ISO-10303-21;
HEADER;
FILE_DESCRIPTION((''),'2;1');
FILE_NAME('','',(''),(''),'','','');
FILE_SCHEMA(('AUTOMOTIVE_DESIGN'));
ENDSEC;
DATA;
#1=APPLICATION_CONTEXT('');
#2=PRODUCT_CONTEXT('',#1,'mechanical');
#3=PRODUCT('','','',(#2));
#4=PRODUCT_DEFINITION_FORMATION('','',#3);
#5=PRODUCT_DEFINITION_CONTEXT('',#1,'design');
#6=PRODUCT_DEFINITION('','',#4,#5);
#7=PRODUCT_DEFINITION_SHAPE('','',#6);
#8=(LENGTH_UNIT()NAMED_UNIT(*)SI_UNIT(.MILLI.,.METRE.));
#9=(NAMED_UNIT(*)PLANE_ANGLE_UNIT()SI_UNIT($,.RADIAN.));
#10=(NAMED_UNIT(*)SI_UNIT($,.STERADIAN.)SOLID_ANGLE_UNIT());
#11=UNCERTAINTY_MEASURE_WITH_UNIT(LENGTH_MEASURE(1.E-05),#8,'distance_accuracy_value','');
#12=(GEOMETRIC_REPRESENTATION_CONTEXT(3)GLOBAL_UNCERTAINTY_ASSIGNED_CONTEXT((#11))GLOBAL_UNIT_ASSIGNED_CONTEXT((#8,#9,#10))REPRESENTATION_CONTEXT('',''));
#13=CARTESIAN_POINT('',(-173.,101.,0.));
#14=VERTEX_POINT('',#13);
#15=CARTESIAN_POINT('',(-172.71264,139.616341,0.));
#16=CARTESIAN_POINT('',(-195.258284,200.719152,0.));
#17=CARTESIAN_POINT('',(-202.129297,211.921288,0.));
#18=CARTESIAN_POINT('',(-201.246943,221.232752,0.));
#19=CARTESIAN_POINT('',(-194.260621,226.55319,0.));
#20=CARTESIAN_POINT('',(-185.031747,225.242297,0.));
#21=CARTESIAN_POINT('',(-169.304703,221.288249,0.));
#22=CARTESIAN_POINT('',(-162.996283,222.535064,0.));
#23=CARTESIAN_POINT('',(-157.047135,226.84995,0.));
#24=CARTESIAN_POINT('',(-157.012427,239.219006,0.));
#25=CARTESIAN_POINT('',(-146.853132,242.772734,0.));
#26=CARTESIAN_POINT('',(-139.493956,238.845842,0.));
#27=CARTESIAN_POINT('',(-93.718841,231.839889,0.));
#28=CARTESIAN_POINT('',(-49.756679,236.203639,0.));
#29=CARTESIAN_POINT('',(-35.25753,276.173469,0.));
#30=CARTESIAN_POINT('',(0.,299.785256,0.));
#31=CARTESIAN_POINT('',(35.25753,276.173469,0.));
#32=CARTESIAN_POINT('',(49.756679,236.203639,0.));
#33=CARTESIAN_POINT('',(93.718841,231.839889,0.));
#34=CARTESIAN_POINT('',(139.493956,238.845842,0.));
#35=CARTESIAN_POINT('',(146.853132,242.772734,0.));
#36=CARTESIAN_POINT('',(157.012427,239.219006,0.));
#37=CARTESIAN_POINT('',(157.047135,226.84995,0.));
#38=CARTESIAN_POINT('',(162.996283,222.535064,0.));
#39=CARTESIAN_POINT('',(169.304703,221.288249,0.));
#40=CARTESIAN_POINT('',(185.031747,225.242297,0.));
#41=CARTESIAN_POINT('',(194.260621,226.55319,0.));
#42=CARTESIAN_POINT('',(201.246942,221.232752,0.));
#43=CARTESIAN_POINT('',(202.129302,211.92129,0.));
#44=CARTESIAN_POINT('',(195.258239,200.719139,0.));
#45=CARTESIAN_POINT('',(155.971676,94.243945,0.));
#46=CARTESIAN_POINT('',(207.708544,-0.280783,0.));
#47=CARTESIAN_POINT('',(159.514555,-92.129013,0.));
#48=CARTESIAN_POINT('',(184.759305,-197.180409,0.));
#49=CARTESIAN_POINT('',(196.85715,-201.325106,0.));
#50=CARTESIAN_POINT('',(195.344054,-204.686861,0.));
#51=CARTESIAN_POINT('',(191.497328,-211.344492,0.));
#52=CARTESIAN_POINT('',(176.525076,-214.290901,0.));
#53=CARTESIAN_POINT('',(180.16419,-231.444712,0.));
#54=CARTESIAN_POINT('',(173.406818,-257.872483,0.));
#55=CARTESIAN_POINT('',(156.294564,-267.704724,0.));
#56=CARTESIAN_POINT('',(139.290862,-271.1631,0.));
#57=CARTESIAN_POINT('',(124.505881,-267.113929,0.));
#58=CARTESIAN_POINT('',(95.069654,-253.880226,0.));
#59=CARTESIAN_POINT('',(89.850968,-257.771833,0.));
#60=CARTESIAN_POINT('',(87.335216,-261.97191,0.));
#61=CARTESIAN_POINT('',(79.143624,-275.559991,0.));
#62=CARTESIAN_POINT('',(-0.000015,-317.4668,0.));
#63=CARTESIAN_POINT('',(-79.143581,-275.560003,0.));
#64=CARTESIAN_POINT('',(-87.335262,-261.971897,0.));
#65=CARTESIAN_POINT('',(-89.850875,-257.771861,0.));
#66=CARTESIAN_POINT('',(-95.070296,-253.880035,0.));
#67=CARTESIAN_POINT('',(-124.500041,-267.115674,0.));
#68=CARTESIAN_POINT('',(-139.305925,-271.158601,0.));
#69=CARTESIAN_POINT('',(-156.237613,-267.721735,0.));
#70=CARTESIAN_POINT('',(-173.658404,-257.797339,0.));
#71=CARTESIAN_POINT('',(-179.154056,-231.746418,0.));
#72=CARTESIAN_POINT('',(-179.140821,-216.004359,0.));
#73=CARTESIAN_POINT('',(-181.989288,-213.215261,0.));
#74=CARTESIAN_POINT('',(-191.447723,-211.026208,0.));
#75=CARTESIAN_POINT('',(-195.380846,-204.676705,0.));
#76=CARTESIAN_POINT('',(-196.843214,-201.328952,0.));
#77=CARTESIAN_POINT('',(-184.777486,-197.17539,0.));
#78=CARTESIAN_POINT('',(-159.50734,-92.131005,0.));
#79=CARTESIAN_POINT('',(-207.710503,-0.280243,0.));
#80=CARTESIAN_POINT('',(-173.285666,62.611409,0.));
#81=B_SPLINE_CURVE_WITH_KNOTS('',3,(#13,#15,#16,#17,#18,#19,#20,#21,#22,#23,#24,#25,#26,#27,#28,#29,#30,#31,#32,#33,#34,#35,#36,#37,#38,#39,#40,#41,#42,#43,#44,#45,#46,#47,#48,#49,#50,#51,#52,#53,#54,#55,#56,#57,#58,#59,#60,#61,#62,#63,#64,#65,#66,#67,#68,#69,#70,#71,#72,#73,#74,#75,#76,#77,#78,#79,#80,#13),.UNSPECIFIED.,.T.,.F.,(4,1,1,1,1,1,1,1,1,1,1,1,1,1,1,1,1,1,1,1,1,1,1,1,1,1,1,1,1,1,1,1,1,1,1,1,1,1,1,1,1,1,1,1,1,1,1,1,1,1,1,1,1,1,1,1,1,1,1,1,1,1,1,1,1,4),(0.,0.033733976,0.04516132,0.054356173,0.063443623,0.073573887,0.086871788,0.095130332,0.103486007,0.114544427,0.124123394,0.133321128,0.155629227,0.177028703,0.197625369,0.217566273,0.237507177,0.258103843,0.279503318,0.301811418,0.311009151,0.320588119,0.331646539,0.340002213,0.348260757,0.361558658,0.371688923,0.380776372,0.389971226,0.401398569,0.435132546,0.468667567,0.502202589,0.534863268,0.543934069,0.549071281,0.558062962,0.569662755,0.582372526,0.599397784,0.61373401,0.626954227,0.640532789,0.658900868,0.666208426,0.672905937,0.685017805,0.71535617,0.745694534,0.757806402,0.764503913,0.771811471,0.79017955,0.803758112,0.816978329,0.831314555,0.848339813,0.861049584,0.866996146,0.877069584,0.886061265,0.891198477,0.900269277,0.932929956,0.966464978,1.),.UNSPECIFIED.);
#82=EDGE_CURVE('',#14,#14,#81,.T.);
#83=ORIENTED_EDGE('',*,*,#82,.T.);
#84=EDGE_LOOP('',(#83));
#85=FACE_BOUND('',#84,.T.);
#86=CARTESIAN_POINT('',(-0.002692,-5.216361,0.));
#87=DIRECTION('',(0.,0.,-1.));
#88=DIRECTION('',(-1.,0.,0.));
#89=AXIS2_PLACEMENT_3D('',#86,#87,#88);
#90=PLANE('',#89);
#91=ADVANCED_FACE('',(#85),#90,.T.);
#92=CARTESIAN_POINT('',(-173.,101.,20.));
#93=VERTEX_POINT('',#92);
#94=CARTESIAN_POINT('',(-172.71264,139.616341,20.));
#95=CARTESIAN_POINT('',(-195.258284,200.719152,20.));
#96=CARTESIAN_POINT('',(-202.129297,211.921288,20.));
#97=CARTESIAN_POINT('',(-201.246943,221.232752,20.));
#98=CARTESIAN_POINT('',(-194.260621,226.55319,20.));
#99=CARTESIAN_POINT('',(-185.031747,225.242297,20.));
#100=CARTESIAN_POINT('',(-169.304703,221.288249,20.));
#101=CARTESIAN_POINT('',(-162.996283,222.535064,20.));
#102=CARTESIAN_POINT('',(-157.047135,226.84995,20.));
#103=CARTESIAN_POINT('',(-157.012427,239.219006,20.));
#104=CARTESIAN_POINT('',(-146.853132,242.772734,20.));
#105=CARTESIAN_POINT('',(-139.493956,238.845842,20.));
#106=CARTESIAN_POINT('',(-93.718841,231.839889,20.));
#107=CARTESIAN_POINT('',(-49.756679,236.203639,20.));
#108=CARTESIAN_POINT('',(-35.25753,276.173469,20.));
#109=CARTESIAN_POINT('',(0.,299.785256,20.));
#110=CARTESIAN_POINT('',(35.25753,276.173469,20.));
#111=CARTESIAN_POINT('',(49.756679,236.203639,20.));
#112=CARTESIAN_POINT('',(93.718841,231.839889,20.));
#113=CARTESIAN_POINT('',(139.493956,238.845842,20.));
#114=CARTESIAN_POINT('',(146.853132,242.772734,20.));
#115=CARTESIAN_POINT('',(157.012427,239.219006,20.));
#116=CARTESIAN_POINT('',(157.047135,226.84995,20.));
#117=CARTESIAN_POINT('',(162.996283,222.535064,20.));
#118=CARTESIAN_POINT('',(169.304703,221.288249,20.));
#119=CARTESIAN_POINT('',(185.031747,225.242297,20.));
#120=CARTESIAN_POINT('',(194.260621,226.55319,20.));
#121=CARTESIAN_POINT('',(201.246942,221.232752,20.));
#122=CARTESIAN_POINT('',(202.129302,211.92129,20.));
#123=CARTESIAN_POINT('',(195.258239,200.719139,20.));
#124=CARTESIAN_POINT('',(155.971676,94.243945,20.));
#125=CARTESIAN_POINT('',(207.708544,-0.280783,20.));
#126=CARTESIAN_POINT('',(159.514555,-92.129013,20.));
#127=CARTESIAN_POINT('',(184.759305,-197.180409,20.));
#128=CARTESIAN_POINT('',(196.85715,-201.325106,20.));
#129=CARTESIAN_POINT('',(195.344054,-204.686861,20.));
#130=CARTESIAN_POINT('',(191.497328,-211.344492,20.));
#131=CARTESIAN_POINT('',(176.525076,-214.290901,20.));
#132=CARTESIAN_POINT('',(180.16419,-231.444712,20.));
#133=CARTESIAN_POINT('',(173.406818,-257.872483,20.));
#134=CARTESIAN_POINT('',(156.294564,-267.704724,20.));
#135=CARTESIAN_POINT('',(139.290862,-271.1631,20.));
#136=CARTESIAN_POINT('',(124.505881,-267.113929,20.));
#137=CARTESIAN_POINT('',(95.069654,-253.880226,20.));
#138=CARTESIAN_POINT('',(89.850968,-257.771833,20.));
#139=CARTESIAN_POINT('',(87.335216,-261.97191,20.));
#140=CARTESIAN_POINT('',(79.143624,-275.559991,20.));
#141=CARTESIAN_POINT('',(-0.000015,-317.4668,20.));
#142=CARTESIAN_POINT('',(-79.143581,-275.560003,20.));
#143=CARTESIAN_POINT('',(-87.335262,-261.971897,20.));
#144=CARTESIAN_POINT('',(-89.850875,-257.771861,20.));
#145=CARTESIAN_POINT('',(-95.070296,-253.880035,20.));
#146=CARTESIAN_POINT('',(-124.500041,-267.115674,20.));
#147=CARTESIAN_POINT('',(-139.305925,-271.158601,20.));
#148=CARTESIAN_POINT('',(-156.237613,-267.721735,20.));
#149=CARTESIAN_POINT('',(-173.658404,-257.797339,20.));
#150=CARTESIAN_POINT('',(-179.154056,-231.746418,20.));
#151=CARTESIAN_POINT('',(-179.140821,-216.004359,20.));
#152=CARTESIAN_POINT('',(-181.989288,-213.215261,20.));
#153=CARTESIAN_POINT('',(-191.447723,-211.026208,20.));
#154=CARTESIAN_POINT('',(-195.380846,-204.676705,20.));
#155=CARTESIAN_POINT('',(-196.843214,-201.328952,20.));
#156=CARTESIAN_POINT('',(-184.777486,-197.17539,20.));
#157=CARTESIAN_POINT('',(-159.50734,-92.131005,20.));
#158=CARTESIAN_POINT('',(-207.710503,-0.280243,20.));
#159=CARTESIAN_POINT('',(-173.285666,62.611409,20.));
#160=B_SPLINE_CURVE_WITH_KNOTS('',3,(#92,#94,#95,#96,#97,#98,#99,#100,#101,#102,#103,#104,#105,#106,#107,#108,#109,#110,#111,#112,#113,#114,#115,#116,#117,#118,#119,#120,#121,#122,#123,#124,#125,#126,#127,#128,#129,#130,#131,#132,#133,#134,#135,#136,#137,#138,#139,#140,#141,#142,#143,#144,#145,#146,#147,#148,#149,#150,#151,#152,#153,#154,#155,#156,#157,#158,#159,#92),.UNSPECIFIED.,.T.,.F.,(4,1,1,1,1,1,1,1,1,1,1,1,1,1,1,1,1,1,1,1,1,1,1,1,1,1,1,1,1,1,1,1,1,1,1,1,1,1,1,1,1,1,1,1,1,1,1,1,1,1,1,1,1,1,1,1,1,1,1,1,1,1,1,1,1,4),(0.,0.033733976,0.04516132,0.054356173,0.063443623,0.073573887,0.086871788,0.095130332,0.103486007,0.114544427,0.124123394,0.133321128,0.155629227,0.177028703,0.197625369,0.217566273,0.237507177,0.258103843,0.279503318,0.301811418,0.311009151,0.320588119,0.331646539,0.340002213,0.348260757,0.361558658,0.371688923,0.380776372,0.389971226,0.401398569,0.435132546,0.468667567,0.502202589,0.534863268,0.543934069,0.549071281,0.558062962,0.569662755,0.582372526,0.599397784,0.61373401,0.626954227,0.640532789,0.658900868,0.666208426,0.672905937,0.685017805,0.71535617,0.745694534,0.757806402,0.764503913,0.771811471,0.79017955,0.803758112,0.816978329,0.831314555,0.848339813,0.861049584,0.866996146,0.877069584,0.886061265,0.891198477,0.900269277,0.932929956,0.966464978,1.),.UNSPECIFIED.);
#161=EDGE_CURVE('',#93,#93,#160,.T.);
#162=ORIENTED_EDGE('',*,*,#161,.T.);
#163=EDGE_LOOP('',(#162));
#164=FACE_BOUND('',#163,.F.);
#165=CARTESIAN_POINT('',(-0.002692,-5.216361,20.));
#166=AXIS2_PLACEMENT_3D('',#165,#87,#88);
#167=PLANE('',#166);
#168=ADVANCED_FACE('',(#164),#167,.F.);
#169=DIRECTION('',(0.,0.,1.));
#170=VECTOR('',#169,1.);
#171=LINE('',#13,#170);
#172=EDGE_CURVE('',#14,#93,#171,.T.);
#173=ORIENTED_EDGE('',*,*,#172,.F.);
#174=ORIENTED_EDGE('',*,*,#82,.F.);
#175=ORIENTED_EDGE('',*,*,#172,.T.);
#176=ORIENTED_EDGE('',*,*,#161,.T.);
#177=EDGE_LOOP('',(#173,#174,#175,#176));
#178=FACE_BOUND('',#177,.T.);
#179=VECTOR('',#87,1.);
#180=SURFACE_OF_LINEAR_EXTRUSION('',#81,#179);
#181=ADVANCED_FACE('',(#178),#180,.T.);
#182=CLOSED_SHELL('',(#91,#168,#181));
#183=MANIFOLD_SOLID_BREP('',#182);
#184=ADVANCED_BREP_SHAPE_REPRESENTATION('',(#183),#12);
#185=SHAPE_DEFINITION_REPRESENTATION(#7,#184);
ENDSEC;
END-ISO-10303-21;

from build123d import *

# Parameters (mm, degrees)
F1_DEPTH = 20


with BuildPart() as f1:
    # F0 (on Top) → F1 (new body)
    with BuildSketch(Plane.XY):
        with BuildLine():
            add(Edge.make_bspline(
                [(-173, 101), (-172.7126396484, 139.6163409516), (-195.2582840005, 200.7191518637), (-202.1292967406, 211.921288247), (-201.2469428285, 221.2327521967), (-194.2606205494, 226.5531902122), (-185.0317472803, 225.2422973259), (-169.3047030947, 221.288248563), (-162.9962831208, 222.5350643238), (-157.0471349125, 226.8499500295), (-157.0124266662, 239.2190056869), (-146.853132228, 242.7727335071), (-139.493955555, 238.8458421279), (-93.7188409355, 231.8398888273), (-49.7566788389, 236.2036394269), (-35.2575300214, 276.1734688107), (0, 299.7852555956), (35.2575300214, 276.1734688107), (49.7566788389, 236.2036394269), (93.7188409355, 231.8398888273), (139.4939555549, 238.8458421279), (146.8531322281, 242.7727335071), (157.0124266657, 239.2190056868), (157.0471349145, 226.8499500301), (162.9962831156, 222.5350643223), (169.3047031194, 221.2882485698), (185.0317471401, 225.2422972872), (194.2606209151, 226.5531903132), (201.2469416042, 221.2327518588), (202.1293018668, 211.9212896619), (195.2582391069, 200.7191394724), (155.9716758543, 94.2439450329), (207.7085440261, -0.2807833694), (159.5145545666, -92.1290134576), (184.7593049397, -197.1804087394), (196.8571496917, -201.3251059817), (195.3440536052, -204.6868605001), (191.4973276656, -211.3444917497), (176.5250756044, -214.2909005454), (180.164190424, -231.44471168), (173.4068183688, -257.8724827955), (156.2945642315, -267.7047244452), (139.2908621455, -271.1630997975), (124.5058814182, -267.1139289857), (95.0696539599, -253.8802261871), (89.8509677166, -257.7718329894), (87.3352163727, -261.9719104462), (79.1436235342, -275.5599908502), (-1.50642e-05, -317.4667999657), (-79.1435813776, -275.560002542), (-87.3352619945, -261.971896894), (-89.8508748283, -257.7718607173), (-95.0702955483, -253.88003457), (-124.5000405078, -267.1156735433), (-139.3059253559, -271.1586007246), (-156.2376129959, -267.7217346172), (-173.6584038127, -257.7973393563), (-179.1540558677, -231.7464182634), (-179.1408206405, -216.0043585857), (-181.989288452, -213.2152608267), (-191.4477227678, -211.0262081955), (-195.3808464073, -204.6767050773), (-196.843214158, -201.3289524198), (-184.7774862887, -197.1753903859), (-159.5073399707, -92.1310048056), (-207.7105030099, -0.2802426574), (-173.2856655712, 62.6114086922), (-173, 101)],
                knots=[0, 0, 0, 0, 0.0337339765, 0.04516132, 0.0543561732, 0.0634436227, 0.0735738872, 0.0868717882, 0.0951303322, 0.1034860066, 0.1145444268, 0.1241233942, 0.1333211281, 0.1556292271, 0.1770287028, 0.1976253685, 0.2175662728, 0.2375071771, 0.2581038428, 0.2795033184, 0.3018114175, 0.3110091513, 0.3205881188, 0.3316465389, 0.3400022133, 0.3482607573, 0.3615586583, 0.3716889229, 0.3807763724, 0.3899712255, 0.4013985691, 0.4351325455, 0.4686675674, 0.5022025892, 0.5348632682, 0.5439340686, 0.5490712808, 0.5580629615, 0.569662755, 0.5823725256, 0.599397784, 0.6137340103, 0.6269542271, 0.6405327891, 0.6589008685, 0.6662084264, 0.6729059366, 0.6850178051, 0.7153561695, 0.745694534, 0.7578064025, 0.7645039126, 0.7718114706, 0.79017955, 0.803758112, 0.8169783288, 0.8313145551, 0.8483398134, 0.8610495841, 0.8669961461, 0.877069584, 0.8860612647, 0.8911984769, 0.9002692774, 0.9329299564, 0.9664649782, 1, 1, 1, 1], degree=3))
        make_face()
    extrude(amount=F1_DEPTH)


solid = f1.part
